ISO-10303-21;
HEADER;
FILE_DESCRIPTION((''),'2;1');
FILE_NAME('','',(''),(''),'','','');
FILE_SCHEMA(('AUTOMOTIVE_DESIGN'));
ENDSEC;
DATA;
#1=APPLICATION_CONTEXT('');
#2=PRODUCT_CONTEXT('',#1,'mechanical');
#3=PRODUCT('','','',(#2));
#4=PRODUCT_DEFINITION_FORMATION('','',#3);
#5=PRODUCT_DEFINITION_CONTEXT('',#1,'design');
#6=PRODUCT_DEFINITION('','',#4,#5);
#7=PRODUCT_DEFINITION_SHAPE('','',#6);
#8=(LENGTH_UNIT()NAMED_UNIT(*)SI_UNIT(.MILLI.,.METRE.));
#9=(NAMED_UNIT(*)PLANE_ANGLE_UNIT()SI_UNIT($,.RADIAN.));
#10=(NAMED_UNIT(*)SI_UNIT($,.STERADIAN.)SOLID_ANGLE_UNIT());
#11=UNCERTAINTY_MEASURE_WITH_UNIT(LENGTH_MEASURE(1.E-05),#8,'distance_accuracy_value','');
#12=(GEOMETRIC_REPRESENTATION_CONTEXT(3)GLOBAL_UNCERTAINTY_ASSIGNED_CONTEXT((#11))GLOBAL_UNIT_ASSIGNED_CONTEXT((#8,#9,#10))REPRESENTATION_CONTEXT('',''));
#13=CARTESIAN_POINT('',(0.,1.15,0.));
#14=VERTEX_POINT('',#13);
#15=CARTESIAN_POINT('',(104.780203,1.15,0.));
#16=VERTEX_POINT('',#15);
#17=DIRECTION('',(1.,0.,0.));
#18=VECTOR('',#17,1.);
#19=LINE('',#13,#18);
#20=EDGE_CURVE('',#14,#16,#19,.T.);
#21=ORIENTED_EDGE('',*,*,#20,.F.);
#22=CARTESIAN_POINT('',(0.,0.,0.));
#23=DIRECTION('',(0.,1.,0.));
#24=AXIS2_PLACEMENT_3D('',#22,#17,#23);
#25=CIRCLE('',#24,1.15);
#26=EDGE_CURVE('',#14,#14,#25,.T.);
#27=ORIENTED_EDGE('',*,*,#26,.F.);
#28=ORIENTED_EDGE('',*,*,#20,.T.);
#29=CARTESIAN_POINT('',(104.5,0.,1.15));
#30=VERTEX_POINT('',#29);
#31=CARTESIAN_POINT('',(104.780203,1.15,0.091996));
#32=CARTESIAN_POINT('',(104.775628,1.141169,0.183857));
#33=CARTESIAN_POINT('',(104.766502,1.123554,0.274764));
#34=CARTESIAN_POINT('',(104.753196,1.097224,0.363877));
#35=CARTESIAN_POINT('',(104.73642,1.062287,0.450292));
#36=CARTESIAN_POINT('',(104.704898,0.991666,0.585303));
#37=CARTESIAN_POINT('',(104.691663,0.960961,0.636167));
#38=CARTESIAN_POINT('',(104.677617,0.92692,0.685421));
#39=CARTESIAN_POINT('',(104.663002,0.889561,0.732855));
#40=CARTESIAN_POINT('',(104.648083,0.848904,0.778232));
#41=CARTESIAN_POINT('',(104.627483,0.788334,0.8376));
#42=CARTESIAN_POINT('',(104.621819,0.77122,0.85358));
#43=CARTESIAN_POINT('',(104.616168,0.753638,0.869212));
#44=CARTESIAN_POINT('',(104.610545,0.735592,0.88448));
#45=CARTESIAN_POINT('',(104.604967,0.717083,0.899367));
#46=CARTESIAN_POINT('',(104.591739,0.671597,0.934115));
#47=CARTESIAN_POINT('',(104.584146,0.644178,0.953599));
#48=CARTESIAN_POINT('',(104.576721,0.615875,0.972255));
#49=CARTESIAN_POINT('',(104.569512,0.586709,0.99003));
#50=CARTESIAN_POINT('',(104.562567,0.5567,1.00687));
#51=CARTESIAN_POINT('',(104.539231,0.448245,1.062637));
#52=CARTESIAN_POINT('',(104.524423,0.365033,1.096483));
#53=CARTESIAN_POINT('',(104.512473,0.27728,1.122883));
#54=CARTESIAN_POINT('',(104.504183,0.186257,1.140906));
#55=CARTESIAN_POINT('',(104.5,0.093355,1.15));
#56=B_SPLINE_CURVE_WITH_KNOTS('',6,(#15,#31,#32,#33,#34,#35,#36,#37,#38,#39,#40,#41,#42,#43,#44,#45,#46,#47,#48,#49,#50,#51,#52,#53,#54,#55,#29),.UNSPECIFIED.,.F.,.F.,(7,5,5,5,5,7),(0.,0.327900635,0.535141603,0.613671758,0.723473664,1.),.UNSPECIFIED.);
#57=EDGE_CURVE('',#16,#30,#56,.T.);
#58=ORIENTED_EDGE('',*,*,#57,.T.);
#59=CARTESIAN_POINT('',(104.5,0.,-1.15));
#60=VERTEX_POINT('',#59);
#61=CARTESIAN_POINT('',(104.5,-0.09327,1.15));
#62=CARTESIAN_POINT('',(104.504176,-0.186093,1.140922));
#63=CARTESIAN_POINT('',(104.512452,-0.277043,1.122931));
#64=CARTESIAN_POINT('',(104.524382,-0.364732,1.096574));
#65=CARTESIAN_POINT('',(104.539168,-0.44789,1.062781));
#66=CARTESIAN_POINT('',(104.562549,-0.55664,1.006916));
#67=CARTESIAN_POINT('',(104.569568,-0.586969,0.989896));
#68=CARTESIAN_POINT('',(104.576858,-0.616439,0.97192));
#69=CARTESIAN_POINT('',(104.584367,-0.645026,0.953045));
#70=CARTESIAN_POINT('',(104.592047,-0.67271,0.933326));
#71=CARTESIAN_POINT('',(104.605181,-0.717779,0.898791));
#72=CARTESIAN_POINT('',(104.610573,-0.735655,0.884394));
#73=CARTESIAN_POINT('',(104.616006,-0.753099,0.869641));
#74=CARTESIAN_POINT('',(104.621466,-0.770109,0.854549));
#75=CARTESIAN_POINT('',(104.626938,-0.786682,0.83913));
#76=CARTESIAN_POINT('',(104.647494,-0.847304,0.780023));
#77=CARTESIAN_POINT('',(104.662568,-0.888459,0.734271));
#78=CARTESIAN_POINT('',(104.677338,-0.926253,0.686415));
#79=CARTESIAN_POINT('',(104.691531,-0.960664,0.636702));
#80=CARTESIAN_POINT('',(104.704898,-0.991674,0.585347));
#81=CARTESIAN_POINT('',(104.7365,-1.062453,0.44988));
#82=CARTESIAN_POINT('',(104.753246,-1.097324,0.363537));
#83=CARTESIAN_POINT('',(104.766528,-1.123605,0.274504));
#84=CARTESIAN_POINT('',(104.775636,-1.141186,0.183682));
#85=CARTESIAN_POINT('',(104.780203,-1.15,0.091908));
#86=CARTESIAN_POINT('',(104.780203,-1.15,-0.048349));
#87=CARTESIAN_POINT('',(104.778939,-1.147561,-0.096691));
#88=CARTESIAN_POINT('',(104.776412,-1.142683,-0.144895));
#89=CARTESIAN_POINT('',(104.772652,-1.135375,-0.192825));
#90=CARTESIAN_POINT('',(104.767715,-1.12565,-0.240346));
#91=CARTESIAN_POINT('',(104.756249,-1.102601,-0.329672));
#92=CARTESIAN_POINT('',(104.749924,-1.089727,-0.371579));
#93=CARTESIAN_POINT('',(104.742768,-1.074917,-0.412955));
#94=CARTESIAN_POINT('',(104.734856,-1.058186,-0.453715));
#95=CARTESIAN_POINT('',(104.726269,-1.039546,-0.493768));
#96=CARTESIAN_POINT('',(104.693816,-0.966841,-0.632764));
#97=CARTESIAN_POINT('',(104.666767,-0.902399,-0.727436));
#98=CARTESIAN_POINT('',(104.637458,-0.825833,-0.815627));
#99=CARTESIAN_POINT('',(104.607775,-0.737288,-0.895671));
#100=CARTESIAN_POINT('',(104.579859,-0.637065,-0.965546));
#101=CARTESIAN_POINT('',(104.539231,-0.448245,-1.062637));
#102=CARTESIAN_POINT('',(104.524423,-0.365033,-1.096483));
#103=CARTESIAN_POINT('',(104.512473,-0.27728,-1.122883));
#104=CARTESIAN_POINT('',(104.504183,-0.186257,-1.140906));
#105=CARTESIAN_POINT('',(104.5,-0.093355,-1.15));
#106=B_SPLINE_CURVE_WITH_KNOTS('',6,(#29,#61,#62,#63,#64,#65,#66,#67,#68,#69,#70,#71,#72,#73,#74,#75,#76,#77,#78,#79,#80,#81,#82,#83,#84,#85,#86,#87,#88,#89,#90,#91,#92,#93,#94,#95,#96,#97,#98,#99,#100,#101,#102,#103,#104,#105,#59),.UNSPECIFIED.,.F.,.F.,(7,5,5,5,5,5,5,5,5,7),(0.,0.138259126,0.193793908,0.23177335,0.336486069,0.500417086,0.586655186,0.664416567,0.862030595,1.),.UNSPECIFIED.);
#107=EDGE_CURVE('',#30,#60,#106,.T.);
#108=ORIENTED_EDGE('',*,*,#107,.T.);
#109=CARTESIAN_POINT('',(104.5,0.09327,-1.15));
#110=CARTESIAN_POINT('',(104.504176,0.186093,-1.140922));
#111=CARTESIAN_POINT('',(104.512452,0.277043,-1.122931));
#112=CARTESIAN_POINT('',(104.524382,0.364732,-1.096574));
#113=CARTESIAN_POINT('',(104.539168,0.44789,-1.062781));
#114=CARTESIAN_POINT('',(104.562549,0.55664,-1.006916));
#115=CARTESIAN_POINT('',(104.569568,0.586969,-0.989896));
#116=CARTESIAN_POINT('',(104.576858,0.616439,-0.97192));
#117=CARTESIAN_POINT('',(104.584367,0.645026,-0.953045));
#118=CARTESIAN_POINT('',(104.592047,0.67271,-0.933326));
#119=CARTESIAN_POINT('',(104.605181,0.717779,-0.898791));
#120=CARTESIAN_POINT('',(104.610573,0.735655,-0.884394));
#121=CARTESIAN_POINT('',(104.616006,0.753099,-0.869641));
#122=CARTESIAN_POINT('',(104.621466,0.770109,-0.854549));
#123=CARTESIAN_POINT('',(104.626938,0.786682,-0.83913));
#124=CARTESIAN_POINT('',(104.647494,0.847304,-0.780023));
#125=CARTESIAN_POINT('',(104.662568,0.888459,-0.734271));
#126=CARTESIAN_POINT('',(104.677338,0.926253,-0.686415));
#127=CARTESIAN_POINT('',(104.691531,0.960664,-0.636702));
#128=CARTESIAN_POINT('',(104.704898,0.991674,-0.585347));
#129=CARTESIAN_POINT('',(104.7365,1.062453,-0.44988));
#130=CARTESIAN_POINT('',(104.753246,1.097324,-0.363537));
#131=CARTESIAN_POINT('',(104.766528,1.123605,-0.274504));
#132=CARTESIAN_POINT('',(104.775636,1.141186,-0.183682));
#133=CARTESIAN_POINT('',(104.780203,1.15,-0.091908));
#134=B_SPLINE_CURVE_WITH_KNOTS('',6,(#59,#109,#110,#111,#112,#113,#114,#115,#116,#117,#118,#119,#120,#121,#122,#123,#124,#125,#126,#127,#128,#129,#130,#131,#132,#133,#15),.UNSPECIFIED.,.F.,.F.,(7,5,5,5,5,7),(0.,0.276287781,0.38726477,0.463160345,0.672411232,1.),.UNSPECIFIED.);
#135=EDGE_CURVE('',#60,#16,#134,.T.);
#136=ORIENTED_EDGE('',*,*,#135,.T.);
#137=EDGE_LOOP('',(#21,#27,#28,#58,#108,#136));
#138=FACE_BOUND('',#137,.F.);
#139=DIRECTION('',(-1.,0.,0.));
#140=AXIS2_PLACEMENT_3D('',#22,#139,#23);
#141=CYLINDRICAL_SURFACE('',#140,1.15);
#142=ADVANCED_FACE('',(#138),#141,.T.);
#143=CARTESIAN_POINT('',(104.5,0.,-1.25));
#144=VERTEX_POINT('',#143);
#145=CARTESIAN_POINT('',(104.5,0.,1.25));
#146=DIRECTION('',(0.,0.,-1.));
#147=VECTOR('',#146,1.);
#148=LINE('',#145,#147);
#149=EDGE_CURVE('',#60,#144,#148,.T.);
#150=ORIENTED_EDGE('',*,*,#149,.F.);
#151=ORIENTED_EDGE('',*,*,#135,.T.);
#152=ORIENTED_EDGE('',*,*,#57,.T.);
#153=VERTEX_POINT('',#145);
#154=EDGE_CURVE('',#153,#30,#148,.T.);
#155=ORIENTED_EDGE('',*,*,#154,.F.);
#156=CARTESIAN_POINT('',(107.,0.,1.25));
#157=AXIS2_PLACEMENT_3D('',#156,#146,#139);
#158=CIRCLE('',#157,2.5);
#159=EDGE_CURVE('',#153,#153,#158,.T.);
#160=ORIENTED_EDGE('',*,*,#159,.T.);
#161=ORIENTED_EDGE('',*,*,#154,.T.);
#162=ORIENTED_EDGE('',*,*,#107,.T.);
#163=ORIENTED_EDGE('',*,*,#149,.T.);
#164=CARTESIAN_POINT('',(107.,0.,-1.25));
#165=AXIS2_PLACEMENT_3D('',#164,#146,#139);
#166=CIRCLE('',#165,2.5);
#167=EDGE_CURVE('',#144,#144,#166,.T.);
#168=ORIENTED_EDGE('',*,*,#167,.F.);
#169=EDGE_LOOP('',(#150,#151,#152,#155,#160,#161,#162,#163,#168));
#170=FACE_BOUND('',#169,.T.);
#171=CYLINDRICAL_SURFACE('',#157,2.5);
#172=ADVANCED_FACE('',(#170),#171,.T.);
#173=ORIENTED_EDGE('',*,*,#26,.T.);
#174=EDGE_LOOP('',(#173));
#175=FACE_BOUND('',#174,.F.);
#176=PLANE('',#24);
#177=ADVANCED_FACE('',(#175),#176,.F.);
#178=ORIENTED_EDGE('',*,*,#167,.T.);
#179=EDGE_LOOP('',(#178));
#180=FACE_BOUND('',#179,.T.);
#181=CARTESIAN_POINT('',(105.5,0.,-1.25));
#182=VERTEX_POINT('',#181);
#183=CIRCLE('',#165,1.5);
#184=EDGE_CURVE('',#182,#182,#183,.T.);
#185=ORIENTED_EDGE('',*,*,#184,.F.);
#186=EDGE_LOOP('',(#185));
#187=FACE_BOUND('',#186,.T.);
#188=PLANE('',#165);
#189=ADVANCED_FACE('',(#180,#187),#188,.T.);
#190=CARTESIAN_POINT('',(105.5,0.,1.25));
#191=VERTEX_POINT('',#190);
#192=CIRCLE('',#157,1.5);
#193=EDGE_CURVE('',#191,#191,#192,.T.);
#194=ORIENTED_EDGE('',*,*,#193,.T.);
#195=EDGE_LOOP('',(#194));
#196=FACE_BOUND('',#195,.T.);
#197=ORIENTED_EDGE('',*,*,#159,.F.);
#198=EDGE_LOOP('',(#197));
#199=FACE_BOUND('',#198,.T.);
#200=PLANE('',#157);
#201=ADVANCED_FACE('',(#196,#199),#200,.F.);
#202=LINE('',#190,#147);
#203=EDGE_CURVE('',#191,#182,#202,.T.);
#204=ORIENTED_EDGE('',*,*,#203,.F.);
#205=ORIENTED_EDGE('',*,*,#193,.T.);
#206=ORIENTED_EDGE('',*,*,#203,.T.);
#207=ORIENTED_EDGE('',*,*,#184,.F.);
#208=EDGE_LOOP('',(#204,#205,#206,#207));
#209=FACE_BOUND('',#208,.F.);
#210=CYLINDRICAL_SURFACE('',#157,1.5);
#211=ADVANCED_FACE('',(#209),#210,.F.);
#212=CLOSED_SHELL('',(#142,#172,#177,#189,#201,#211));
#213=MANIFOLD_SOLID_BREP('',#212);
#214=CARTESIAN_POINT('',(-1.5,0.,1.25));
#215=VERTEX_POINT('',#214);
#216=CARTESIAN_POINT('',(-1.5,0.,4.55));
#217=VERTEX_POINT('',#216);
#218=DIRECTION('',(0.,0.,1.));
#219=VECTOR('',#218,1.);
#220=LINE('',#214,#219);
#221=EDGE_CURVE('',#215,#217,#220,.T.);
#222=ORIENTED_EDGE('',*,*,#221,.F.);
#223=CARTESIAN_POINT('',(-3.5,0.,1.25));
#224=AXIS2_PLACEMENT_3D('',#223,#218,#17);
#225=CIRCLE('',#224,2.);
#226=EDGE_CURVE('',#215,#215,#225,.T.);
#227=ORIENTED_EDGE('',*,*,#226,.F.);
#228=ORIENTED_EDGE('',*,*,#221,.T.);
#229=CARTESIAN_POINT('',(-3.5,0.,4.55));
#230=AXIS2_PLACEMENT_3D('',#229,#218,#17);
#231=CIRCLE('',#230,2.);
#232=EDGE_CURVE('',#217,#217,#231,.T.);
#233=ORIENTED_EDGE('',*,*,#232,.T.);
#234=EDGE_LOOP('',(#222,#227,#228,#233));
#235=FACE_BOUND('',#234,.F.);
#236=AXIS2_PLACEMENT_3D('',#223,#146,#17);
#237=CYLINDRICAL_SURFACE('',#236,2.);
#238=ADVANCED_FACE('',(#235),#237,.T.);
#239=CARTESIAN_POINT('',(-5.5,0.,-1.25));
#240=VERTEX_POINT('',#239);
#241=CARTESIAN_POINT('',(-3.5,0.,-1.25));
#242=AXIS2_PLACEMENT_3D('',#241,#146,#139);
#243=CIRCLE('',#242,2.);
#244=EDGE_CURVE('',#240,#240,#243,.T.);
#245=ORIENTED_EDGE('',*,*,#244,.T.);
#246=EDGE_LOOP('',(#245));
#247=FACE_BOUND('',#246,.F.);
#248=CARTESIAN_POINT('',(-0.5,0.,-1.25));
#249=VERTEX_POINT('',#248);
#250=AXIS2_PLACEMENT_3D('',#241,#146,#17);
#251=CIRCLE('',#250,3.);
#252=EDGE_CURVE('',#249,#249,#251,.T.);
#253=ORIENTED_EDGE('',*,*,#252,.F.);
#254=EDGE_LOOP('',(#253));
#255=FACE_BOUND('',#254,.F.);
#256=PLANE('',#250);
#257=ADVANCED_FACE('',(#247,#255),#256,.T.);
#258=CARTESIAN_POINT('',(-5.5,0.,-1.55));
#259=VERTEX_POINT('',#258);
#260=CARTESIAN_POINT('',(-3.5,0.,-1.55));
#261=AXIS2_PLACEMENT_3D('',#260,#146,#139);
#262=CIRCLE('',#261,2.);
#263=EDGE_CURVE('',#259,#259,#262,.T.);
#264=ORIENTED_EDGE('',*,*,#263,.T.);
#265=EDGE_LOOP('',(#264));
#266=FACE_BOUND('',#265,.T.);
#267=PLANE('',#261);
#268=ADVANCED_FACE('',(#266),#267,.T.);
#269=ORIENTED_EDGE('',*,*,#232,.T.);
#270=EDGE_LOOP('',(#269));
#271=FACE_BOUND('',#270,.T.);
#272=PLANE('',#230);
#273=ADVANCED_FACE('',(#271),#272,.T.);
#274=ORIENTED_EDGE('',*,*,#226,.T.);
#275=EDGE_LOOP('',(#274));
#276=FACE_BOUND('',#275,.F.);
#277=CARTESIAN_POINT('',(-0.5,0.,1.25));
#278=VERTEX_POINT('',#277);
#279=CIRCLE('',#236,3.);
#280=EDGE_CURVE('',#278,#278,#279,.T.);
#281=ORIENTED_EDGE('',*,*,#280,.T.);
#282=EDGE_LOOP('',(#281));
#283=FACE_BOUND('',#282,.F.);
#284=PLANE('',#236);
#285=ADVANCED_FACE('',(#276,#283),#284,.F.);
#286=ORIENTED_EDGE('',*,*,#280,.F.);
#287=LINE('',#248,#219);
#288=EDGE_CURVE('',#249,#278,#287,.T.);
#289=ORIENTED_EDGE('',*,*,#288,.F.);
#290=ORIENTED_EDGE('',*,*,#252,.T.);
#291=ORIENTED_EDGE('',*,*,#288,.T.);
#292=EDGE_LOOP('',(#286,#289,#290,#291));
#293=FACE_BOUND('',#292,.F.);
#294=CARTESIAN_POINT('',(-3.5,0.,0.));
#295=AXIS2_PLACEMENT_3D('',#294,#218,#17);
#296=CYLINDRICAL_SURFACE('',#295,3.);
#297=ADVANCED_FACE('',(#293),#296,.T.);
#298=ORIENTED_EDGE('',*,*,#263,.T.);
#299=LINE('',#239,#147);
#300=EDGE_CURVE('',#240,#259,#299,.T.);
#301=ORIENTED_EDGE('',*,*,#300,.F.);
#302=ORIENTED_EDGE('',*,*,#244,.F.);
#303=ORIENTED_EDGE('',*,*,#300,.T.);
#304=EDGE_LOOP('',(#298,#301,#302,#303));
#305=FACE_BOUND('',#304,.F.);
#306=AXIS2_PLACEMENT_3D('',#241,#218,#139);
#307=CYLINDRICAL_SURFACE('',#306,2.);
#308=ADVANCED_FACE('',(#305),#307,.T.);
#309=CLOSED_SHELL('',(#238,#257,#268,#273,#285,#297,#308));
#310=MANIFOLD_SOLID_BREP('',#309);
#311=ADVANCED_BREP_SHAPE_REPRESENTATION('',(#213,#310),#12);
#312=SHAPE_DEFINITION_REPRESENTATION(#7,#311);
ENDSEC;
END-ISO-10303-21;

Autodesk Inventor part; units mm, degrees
ref_plane "YZ Plane" through (0, 0, 0) normal (1, 0, 0) x (0, 1, 0)
ref_plane "XZ Plane" through (0, 0, 0) normal (0, 1, 0) x (-1, 0, 0)
ref_plane "XY Plane" through (0, 0, 0) normal (0, 0, 1) x (1, 0, 0)
sketch "Sketch1" plane through (0, 0, 0) normal (1, 0, 0) x (0, 1, 0)
  circle A0 centre (0, 0) radius 1.15
  dimension "d0" = 2.3
extrude "Extrusion1" add sketch "Sketch1" along normal blind 105
sketch "Sketch3" plane through (0, 0, 0) normal (0, 1, 0) x (-1, 0, 0)
  line L0 (-105.5, 1.25) -> (-105.5, -1.25)
  line L1 (-107, 4.3664) -> (-107, -6.1894)
  line L2 (-105, 1.15) -> (-105, -1.15) projected
  line L3 (-105.5, 1.25) -> (-104.5, 1.25)
  line L4 (-104.5, 1.25) -> (-104.5, -1.25)
  line L5 (-104.5, -1.25) -> (-105.5, -1.25)
  point P0 (0, 0)
  dimension "d7" = 2.5
  dimension "d10" = 1
  dimension "d11" = 0.5
  dimension "d12" = 2.5
revolve "Revolution1" add sketch "Sketch3" angle 360 about axis through (107, 0, 4.3664) along (0, 0, -1)
sketch "Sketch4" plane through (0, 0, 0) normal (0, 1, 0) x (-1, 0, 0)
  line L0 (-2.6081, 0) -> (2.6081, 0)
  line L1 (0.5, 0) -> (0.5, 1.25)
  line L2 (0, -1.15) -> (0, 1.15) projected
  line L3 (0.5, 1.25) -> (3.5, 1.25)
  line L4 (3.5, -1.25) -> (0.5, -1.25)
  line L5 (0.5, -1.25) -> (0.5, 0)
  line L6 (3.5, 1.25) -> (3.5, -1.25)
  point P0 (0, 0)
  point P1 (0, 0)
  dimension "d14" = 0.5
  dimension "d18" = 3
revolve "Revolution2" add sketch "Sketch4" angle 360 about axis through (-3.5, 0, 1.25) along (0, 0, -1)
sketch "Sketch5" plane through (-3.5, 0, 1.25) normal (0, 0, 1) x (1, 0, 0)
  circle A0 centre (0, 0) radius 3 projected
  circle A1 centre (0, 0) radius 2
  point P0 (3.5, 0)
  dimension "d20" = 4
extrude "Extrusion2" add sketch "Sketch5" along normal blind 3.3 contours A1
sketch "Sketch6" plane through (-3.5, 0, -1.25) normal (0, 0, -1) x (-1, 0, 0)
  circle A0 centre (0, 0) radius 2 projected
  point P0 (-3.5, 0)
extrude "Extrusion3" add sketch "Sketch6" along normal blind 0.3
properties part number "101-04" material "Aluminum 6061"
